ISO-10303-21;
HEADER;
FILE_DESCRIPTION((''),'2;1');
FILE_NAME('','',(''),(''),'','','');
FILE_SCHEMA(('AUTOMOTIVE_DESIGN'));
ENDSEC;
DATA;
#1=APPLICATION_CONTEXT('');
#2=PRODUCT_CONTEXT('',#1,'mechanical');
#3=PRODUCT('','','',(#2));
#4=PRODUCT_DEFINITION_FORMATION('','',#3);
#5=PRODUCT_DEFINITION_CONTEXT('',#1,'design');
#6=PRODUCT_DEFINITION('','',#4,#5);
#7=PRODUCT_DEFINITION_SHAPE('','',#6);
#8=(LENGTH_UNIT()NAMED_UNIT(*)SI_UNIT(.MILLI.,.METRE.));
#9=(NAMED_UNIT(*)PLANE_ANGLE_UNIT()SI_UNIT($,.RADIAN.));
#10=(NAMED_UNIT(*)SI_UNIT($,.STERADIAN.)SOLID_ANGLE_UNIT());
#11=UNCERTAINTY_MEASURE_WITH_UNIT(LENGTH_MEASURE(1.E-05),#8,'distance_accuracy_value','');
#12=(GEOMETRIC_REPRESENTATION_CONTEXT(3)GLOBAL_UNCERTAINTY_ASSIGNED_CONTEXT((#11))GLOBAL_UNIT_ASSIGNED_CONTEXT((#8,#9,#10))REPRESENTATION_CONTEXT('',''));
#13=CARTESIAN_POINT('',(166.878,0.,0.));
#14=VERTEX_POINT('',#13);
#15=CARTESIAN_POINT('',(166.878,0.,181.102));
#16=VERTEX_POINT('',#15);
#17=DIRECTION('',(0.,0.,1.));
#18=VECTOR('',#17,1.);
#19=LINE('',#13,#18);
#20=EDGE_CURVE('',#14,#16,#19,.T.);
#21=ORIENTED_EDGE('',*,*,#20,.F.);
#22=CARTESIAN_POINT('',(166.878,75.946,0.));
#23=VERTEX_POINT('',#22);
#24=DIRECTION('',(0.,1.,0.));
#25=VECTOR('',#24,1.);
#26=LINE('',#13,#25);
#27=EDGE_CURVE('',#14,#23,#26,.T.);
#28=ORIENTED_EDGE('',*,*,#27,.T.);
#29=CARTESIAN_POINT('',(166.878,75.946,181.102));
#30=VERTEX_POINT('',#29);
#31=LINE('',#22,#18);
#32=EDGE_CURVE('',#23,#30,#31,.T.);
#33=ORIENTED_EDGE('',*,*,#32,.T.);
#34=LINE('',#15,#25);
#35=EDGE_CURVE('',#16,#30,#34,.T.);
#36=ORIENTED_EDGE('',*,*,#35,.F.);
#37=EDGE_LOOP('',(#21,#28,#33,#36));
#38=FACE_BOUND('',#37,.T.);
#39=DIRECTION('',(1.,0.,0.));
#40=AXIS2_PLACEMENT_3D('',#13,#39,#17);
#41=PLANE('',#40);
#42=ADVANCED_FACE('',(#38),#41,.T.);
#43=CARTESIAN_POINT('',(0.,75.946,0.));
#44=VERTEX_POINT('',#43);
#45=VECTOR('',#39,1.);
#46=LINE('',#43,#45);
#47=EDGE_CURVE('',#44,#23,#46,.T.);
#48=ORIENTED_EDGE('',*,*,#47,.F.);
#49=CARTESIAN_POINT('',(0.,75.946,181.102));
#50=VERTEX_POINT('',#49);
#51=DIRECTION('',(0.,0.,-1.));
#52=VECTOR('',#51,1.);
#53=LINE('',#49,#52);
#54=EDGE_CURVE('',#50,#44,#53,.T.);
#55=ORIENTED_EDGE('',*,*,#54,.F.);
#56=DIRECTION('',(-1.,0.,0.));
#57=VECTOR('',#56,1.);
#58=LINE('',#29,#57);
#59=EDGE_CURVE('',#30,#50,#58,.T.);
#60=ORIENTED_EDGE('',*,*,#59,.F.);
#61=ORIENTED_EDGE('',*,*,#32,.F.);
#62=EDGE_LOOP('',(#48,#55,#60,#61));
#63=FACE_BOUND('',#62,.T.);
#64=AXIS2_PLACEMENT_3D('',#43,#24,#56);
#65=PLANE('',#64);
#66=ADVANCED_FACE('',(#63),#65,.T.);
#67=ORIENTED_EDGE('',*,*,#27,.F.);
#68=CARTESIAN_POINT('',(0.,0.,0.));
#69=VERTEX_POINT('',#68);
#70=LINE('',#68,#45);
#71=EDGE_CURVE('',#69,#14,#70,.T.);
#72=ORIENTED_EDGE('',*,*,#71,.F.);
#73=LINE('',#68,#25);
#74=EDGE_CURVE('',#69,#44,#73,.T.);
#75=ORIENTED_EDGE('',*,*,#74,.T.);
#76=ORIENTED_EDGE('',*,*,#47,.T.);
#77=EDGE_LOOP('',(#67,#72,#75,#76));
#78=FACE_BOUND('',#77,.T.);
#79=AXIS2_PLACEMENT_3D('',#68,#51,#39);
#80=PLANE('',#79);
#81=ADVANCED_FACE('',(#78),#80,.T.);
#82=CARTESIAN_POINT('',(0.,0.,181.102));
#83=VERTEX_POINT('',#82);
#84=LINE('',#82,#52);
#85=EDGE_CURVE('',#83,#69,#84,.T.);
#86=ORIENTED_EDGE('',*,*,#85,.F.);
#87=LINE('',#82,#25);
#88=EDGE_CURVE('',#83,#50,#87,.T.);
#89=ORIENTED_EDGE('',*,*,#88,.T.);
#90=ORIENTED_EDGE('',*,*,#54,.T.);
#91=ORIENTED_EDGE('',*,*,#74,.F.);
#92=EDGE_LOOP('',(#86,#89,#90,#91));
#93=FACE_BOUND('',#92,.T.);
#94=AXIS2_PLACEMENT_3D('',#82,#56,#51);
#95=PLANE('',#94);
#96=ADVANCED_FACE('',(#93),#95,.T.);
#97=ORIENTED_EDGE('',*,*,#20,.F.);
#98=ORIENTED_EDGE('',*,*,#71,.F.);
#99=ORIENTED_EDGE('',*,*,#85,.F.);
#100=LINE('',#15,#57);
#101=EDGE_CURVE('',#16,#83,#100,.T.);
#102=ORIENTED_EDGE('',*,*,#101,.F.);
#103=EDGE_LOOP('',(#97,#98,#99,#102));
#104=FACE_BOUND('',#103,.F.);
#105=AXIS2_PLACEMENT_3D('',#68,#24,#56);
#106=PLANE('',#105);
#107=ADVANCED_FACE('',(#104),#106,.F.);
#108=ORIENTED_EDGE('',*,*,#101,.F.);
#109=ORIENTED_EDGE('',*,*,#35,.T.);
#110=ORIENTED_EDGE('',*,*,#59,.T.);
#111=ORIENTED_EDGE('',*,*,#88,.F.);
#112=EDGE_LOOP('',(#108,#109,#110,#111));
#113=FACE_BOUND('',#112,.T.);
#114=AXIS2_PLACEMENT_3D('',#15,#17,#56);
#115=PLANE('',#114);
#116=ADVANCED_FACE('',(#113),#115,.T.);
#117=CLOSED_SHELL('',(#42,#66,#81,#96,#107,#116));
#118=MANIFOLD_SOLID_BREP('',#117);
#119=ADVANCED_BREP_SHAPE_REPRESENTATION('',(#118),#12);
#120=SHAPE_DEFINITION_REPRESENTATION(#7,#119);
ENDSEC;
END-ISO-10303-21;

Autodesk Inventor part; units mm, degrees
ref_plane "YZ Plane" through (0, 0, 0) normal (1, 0, 0) x (0, 1, 0)
ref_plane "XZ Plane" through (0, 0, 0) normal (0, 1, 0) x (-1, 0, 0)
ref_plane "XY Plane" through (0, 0, 0) normal (0, 0, 1) x (1, 0, 0)
sketch "Sketch1" plane through (0, 0, 0) normal (0, 1, 0) x (-1, 0, 0)
  line L0 (0, 0) -> (-166.878, 0)
  line L1 (-166.878, 0) -> (-166.878, 181.102)
  line L2 (-166.878, 181.102) -> (0, 181.102)
  line L3 (0, 181.102) -> (0, 0)
  dimension "d0" = 181.102
  dimension "d1" = 166.878
extrude "Extrusion1" add sketch "Sketch1" along normal blind 75.946
properties part number "battery-standin"
